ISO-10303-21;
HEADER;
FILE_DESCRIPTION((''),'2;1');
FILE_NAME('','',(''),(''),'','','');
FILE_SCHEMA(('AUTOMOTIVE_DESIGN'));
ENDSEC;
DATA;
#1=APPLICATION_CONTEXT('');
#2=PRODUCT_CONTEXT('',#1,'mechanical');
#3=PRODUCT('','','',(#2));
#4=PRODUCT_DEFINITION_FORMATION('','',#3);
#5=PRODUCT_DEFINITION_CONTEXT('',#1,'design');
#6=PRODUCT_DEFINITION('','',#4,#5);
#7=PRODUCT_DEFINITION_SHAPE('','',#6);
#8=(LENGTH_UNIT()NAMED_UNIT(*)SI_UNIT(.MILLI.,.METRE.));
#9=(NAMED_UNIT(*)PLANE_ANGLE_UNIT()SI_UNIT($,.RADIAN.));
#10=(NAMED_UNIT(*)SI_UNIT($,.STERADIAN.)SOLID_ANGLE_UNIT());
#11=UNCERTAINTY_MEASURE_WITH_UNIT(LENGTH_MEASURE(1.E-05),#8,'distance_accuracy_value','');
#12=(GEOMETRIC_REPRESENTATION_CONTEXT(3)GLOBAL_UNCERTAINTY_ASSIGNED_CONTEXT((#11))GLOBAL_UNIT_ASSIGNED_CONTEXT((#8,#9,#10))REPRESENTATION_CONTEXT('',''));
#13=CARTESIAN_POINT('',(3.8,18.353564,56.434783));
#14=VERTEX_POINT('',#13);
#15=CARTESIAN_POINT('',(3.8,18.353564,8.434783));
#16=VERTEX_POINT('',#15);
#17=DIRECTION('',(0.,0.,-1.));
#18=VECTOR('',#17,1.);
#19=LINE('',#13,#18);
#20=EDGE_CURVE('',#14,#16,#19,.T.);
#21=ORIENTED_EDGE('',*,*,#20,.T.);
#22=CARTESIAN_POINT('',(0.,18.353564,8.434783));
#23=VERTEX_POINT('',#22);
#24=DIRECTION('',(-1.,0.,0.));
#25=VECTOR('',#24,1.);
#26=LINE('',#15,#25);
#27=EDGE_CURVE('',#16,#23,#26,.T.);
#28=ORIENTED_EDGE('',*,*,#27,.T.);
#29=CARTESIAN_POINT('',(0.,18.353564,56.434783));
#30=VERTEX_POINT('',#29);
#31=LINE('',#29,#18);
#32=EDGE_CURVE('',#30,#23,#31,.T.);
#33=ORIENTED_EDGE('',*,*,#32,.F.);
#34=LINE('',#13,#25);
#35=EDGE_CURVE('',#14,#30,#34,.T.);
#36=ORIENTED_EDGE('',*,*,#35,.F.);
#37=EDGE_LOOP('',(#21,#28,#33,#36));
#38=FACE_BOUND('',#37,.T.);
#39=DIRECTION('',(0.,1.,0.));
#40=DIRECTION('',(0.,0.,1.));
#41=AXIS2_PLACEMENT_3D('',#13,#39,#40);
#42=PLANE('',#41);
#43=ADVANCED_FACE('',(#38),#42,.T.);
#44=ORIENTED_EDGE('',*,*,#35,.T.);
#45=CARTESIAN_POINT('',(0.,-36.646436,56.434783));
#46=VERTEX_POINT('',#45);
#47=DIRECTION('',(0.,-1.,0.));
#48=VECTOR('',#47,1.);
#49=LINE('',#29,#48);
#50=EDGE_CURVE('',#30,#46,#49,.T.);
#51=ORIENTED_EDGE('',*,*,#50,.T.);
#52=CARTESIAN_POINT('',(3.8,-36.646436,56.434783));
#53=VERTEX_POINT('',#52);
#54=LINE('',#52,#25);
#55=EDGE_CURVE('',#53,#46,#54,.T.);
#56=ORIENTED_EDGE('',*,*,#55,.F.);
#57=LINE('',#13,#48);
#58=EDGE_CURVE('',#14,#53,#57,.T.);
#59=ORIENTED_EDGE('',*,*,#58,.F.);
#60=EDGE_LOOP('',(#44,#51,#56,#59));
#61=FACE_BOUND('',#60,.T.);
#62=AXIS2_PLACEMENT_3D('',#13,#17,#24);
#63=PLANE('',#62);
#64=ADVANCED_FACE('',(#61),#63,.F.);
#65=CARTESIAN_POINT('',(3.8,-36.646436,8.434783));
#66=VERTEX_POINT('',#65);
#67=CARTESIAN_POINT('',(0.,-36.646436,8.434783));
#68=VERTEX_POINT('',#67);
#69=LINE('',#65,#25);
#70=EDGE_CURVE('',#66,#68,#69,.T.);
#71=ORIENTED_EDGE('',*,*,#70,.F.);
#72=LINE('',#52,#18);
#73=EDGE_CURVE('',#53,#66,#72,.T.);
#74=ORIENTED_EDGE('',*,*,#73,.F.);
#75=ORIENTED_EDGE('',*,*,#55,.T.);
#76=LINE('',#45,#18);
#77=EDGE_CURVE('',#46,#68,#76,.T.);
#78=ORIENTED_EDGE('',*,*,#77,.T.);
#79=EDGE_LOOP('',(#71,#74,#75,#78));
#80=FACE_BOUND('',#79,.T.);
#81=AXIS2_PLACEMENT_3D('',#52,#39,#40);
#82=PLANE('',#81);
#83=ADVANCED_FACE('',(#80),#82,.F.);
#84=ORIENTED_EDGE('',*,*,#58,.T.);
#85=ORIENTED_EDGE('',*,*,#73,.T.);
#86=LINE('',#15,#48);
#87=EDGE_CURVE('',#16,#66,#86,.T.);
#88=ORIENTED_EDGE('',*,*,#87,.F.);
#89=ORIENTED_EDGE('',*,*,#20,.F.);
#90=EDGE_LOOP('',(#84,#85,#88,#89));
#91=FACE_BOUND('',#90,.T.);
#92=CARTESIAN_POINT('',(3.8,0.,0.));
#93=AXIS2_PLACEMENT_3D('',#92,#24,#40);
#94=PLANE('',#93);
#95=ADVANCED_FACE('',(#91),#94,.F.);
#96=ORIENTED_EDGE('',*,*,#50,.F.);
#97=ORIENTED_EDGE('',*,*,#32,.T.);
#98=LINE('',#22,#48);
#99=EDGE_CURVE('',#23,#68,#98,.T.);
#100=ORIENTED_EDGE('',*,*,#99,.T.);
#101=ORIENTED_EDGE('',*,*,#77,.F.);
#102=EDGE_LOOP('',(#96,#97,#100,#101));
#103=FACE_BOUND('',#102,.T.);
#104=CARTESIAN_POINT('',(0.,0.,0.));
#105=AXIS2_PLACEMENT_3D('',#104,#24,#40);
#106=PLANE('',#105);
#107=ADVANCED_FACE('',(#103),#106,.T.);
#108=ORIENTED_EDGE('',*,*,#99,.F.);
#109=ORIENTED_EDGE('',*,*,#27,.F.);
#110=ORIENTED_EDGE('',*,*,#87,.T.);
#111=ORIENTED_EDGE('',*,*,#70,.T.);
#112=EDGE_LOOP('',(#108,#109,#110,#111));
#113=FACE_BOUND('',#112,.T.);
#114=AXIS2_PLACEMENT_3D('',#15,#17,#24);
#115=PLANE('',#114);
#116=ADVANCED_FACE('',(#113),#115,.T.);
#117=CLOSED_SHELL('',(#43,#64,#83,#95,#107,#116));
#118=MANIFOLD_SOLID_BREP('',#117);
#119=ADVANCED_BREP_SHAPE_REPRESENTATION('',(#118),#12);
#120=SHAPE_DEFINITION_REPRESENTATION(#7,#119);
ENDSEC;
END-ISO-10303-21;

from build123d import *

# Parameters (mm, degrees)
SKETCH_1_W      = 48
SKETCH_1_H      = 55
EXTRUDE_1_DEPTH = 3.8


with BuildPart() as part:
    # 草图1 → 凸台-拉伸1 (new body)
    with BuildSketch(Plane(origin=(0, 0, 0), x_dir=(0, 0, -1), z_dir=(1, 0, 0))):
        with Locations((-32.434782609, -9.1464358)):
            Rectangle(SKETCH_1_W, SKETCH_1_H)
    extrude(amount=EXTRUDE_1_DEPTH)


solid = part.part
